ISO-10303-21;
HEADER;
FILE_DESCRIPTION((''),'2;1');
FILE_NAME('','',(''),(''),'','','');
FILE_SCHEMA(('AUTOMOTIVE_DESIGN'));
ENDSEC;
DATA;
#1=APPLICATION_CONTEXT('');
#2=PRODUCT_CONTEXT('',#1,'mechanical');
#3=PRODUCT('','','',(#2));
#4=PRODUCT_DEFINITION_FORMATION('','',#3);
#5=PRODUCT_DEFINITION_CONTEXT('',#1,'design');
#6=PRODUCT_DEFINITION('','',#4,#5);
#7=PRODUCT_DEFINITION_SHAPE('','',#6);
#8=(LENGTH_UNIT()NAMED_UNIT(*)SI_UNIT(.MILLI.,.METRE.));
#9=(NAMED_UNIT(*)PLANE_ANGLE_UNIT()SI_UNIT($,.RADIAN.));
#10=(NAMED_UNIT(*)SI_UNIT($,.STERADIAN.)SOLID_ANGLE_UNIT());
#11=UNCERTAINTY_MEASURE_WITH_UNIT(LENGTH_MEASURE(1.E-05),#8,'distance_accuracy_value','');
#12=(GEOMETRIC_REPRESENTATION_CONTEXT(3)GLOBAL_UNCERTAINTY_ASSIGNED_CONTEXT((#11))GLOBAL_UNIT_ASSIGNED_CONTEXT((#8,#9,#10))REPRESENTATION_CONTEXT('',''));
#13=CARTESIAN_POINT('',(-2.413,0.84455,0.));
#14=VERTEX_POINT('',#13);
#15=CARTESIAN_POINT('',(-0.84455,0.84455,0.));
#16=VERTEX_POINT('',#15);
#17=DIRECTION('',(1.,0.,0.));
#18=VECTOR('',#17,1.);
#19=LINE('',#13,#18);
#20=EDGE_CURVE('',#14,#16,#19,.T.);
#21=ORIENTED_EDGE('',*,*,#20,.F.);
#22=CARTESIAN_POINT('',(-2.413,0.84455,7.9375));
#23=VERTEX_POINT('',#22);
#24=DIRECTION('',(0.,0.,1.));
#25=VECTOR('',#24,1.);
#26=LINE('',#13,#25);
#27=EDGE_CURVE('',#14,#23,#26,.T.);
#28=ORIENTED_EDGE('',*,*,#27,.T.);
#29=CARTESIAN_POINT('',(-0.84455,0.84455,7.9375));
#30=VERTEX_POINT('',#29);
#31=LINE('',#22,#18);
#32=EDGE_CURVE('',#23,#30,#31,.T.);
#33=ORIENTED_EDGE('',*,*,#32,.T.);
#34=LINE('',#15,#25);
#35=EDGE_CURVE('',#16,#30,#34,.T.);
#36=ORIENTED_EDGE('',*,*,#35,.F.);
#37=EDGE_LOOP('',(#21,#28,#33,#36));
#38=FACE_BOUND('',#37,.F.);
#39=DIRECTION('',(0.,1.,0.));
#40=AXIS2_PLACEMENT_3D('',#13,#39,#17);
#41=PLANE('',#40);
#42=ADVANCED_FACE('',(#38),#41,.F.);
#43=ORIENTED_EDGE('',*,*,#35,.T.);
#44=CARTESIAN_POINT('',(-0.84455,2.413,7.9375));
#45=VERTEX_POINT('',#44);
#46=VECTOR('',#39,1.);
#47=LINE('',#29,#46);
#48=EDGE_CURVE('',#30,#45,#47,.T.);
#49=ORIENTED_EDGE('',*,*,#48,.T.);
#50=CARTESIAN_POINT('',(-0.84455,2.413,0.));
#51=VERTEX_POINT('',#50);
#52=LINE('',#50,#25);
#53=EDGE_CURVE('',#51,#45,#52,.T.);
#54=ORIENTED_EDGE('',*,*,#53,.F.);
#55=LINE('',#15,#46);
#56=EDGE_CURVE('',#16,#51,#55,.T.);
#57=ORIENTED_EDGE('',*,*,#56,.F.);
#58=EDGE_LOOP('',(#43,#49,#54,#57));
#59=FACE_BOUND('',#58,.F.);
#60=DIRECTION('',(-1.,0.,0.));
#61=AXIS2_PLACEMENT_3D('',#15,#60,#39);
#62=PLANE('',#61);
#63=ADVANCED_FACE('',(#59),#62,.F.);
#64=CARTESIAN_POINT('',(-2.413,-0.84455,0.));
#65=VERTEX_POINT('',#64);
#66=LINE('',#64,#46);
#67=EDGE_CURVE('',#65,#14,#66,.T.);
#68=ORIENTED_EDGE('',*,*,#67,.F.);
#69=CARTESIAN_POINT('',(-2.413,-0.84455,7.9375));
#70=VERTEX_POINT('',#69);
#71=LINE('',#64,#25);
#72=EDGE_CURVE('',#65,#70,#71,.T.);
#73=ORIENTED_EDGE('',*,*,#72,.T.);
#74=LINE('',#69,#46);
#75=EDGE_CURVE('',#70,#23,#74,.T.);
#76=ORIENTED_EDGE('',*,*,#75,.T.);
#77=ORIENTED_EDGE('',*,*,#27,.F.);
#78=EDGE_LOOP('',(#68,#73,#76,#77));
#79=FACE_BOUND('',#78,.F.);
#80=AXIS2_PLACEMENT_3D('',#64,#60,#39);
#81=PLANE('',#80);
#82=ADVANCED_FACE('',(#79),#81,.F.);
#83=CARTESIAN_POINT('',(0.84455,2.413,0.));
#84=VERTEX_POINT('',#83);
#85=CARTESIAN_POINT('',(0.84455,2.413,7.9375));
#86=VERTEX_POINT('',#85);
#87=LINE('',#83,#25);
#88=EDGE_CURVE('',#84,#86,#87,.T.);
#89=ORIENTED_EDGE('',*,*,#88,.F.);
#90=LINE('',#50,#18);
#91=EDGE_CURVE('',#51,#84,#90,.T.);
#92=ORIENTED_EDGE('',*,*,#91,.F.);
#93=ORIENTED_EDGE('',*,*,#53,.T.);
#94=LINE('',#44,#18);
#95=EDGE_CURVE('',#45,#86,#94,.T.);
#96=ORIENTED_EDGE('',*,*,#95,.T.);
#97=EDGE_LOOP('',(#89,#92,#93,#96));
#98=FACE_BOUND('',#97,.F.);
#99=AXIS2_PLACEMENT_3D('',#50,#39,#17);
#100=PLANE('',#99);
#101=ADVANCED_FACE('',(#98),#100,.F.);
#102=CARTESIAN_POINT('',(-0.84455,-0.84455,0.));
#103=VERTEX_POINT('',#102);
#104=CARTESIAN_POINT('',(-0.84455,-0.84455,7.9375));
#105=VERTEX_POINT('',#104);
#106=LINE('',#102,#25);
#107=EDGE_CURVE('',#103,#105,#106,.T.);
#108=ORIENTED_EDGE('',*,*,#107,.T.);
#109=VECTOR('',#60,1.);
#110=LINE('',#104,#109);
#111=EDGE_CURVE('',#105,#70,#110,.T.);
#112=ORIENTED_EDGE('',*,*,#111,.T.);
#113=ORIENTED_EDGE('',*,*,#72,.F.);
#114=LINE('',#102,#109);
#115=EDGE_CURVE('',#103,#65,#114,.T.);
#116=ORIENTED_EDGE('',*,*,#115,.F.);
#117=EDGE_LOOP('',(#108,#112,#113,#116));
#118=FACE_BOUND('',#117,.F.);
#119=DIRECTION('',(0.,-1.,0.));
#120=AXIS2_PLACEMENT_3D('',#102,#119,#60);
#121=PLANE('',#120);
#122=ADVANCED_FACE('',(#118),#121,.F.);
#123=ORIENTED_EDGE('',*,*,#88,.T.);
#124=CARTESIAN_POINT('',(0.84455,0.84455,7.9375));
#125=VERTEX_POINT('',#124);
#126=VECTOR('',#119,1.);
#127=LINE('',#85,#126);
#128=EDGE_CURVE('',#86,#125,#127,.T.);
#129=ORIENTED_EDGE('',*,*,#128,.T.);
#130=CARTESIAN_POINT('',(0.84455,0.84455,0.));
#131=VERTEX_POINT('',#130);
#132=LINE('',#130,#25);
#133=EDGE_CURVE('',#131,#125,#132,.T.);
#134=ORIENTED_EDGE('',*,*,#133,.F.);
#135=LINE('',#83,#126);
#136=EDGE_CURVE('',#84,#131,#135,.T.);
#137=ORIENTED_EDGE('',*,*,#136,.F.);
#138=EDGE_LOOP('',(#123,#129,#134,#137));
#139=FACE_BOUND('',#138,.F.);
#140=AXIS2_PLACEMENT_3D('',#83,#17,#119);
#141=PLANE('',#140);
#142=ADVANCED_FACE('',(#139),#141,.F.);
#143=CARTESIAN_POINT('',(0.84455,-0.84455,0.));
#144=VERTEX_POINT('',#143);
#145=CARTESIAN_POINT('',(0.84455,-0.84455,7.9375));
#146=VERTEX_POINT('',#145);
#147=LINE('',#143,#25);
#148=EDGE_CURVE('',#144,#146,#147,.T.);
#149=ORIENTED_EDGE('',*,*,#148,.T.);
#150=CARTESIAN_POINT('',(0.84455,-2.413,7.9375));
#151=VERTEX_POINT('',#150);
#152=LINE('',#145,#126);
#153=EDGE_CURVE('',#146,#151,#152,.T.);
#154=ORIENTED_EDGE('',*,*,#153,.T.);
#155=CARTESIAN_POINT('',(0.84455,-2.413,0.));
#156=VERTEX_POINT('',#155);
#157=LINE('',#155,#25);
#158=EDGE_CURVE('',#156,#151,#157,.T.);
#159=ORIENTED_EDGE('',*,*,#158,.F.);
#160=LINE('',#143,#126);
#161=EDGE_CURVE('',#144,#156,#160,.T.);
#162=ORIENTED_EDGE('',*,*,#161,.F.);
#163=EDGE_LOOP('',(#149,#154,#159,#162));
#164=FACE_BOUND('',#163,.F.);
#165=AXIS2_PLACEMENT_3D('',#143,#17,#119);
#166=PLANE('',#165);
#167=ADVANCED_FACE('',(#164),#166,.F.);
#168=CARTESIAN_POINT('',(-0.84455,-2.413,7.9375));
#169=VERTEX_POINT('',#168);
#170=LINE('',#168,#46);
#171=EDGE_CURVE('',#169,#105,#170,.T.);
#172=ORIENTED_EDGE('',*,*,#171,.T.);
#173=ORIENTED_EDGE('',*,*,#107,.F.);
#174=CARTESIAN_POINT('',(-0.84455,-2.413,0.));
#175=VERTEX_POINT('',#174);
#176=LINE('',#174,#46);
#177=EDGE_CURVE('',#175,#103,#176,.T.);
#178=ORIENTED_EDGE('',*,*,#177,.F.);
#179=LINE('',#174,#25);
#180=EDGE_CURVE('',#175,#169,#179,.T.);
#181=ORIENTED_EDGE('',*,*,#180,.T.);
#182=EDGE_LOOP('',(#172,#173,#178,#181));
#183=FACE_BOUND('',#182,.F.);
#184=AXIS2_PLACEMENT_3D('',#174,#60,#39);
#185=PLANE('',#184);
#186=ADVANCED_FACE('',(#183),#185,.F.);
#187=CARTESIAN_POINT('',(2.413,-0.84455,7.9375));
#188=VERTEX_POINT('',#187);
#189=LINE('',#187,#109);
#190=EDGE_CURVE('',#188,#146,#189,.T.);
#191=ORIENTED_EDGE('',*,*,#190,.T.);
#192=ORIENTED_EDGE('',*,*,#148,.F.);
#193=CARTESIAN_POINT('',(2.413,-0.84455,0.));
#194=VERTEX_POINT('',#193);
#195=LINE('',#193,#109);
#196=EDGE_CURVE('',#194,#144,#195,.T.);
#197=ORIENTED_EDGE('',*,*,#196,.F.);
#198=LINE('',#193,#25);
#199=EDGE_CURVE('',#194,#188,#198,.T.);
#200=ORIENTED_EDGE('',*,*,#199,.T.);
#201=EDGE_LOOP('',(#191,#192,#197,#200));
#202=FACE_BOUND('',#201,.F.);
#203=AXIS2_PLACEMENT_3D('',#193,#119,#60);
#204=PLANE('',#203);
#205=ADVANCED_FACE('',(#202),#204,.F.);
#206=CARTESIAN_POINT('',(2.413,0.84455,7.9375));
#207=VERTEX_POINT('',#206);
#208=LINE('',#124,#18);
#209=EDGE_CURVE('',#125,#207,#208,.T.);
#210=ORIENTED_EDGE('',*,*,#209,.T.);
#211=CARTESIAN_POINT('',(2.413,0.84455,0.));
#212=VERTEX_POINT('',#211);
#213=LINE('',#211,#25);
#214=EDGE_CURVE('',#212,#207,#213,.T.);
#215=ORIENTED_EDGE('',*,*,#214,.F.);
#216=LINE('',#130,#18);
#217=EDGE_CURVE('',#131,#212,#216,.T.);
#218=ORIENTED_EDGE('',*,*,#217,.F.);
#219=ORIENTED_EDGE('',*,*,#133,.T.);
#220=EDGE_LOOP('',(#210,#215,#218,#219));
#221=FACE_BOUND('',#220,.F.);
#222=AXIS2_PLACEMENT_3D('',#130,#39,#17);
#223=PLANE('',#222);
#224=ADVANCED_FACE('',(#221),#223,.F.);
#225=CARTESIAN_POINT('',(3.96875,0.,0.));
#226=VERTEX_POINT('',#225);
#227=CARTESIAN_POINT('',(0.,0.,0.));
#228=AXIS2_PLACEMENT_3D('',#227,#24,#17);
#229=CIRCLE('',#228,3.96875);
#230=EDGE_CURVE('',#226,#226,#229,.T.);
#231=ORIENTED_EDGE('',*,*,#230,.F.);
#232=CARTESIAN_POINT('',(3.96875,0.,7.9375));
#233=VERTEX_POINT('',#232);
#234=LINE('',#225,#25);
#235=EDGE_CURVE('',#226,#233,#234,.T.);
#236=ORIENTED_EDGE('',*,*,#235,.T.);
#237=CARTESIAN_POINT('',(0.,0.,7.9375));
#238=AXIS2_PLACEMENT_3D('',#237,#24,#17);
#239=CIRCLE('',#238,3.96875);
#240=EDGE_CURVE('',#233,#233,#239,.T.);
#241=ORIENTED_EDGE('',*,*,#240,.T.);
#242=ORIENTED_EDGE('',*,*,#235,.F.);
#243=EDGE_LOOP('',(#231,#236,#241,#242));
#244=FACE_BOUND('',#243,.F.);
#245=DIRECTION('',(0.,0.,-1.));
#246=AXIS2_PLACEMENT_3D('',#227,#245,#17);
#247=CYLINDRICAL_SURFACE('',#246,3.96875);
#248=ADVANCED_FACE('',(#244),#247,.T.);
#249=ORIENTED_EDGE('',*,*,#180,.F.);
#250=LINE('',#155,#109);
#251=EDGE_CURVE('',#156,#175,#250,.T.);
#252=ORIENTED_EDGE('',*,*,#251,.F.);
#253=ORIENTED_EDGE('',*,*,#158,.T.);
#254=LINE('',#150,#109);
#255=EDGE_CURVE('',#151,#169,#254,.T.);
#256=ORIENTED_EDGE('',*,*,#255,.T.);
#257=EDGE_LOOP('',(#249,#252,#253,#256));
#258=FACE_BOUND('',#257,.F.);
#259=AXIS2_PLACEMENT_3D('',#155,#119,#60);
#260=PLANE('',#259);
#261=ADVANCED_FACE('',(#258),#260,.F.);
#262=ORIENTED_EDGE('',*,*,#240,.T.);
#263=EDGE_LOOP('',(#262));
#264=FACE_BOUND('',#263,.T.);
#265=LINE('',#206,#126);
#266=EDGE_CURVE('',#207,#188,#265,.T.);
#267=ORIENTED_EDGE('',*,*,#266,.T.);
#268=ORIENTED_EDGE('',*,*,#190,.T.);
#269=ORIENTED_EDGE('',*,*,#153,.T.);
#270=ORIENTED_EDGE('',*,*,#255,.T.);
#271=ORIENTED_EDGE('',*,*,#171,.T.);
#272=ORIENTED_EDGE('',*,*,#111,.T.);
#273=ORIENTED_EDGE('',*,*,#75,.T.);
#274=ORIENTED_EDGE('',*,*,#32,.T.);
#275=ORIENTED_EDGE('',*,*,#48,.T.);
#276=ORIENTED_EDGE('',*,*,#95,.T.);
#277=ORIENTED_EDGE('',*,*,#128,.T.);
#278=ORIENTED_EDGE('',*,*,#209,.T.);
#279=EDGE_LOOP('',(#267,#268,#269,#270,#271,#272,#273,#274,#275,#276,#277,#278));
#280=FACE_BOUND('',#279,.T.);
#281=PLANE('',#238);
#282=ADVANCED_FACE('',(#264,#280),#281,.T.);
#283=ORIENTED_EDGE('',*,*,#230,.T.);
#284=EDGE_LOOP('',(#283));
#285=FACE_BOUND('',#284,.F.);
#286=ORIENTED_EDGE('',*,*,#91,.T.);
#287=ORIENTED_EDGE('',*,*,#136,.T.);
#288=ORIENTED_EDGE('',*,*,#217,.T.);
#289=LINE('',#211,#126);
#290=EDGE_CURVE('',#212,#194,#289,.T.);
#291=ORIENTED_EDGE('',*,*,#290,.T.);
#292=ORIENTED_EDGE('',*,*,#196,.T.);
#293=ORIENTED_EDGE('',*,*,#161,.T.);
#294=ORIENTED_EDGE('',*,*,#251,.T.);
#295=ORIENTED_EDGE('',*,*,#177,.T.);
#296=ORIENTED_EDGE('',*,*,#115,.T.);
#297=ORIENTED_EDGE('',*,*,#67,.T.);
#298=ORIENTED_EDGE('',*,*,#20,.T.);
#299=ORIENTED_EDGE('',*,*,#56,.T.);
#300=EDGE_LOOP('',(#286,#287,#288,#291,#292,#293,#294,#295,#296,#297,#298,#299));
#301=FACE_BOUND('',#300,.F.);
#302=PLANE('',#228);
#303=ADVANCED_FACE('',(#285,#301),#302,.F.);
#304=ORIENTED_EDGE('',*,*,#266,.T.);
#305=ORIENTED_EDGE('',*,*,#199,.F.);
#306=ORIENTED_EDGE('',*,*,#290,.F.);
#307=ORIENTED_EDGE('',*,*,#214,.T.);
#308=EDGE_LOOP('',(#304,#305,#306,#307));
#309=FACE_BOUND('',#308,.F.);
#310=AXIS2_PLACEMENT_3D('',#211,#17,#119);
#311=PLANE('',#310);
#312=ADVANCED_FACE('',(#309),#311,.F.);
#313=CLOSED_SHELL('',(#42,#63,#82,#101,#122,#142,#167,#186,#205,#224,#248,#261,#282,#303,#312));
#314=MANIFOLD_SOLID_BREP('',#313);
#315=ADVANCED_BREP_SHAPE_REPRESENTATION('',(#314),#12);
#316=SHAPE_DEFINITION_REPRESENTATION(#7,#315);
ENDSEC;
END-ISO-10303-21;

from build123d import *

# Parameters (mm, degrees)
F0_R     = 3.96875
F1_DEPTH = 7.9375


with BuildPart() as f1:
    # F0 (on Top) → F1 (new body)
    with BuildSketch(Plane.XY):
        Circle(F0_R)
        Polygon((0.84455, 0.84455), (2.413, 0.84455), (2.413, -0.84455), (0.84455, -0.84455), (0.84455, -2.413), (-0.84455, -2.413), (-0.84455, -0.84455), (-2.413, -0.84455), (-2.413, 0.84455), (-0.84455, 0.84455), (-0.84455, 2.413), (0.84455, 2.413), align=None, mode=Mode.SUBTRACT)
    extrude(amount=F1_DEPTH)


solid = f1.part
